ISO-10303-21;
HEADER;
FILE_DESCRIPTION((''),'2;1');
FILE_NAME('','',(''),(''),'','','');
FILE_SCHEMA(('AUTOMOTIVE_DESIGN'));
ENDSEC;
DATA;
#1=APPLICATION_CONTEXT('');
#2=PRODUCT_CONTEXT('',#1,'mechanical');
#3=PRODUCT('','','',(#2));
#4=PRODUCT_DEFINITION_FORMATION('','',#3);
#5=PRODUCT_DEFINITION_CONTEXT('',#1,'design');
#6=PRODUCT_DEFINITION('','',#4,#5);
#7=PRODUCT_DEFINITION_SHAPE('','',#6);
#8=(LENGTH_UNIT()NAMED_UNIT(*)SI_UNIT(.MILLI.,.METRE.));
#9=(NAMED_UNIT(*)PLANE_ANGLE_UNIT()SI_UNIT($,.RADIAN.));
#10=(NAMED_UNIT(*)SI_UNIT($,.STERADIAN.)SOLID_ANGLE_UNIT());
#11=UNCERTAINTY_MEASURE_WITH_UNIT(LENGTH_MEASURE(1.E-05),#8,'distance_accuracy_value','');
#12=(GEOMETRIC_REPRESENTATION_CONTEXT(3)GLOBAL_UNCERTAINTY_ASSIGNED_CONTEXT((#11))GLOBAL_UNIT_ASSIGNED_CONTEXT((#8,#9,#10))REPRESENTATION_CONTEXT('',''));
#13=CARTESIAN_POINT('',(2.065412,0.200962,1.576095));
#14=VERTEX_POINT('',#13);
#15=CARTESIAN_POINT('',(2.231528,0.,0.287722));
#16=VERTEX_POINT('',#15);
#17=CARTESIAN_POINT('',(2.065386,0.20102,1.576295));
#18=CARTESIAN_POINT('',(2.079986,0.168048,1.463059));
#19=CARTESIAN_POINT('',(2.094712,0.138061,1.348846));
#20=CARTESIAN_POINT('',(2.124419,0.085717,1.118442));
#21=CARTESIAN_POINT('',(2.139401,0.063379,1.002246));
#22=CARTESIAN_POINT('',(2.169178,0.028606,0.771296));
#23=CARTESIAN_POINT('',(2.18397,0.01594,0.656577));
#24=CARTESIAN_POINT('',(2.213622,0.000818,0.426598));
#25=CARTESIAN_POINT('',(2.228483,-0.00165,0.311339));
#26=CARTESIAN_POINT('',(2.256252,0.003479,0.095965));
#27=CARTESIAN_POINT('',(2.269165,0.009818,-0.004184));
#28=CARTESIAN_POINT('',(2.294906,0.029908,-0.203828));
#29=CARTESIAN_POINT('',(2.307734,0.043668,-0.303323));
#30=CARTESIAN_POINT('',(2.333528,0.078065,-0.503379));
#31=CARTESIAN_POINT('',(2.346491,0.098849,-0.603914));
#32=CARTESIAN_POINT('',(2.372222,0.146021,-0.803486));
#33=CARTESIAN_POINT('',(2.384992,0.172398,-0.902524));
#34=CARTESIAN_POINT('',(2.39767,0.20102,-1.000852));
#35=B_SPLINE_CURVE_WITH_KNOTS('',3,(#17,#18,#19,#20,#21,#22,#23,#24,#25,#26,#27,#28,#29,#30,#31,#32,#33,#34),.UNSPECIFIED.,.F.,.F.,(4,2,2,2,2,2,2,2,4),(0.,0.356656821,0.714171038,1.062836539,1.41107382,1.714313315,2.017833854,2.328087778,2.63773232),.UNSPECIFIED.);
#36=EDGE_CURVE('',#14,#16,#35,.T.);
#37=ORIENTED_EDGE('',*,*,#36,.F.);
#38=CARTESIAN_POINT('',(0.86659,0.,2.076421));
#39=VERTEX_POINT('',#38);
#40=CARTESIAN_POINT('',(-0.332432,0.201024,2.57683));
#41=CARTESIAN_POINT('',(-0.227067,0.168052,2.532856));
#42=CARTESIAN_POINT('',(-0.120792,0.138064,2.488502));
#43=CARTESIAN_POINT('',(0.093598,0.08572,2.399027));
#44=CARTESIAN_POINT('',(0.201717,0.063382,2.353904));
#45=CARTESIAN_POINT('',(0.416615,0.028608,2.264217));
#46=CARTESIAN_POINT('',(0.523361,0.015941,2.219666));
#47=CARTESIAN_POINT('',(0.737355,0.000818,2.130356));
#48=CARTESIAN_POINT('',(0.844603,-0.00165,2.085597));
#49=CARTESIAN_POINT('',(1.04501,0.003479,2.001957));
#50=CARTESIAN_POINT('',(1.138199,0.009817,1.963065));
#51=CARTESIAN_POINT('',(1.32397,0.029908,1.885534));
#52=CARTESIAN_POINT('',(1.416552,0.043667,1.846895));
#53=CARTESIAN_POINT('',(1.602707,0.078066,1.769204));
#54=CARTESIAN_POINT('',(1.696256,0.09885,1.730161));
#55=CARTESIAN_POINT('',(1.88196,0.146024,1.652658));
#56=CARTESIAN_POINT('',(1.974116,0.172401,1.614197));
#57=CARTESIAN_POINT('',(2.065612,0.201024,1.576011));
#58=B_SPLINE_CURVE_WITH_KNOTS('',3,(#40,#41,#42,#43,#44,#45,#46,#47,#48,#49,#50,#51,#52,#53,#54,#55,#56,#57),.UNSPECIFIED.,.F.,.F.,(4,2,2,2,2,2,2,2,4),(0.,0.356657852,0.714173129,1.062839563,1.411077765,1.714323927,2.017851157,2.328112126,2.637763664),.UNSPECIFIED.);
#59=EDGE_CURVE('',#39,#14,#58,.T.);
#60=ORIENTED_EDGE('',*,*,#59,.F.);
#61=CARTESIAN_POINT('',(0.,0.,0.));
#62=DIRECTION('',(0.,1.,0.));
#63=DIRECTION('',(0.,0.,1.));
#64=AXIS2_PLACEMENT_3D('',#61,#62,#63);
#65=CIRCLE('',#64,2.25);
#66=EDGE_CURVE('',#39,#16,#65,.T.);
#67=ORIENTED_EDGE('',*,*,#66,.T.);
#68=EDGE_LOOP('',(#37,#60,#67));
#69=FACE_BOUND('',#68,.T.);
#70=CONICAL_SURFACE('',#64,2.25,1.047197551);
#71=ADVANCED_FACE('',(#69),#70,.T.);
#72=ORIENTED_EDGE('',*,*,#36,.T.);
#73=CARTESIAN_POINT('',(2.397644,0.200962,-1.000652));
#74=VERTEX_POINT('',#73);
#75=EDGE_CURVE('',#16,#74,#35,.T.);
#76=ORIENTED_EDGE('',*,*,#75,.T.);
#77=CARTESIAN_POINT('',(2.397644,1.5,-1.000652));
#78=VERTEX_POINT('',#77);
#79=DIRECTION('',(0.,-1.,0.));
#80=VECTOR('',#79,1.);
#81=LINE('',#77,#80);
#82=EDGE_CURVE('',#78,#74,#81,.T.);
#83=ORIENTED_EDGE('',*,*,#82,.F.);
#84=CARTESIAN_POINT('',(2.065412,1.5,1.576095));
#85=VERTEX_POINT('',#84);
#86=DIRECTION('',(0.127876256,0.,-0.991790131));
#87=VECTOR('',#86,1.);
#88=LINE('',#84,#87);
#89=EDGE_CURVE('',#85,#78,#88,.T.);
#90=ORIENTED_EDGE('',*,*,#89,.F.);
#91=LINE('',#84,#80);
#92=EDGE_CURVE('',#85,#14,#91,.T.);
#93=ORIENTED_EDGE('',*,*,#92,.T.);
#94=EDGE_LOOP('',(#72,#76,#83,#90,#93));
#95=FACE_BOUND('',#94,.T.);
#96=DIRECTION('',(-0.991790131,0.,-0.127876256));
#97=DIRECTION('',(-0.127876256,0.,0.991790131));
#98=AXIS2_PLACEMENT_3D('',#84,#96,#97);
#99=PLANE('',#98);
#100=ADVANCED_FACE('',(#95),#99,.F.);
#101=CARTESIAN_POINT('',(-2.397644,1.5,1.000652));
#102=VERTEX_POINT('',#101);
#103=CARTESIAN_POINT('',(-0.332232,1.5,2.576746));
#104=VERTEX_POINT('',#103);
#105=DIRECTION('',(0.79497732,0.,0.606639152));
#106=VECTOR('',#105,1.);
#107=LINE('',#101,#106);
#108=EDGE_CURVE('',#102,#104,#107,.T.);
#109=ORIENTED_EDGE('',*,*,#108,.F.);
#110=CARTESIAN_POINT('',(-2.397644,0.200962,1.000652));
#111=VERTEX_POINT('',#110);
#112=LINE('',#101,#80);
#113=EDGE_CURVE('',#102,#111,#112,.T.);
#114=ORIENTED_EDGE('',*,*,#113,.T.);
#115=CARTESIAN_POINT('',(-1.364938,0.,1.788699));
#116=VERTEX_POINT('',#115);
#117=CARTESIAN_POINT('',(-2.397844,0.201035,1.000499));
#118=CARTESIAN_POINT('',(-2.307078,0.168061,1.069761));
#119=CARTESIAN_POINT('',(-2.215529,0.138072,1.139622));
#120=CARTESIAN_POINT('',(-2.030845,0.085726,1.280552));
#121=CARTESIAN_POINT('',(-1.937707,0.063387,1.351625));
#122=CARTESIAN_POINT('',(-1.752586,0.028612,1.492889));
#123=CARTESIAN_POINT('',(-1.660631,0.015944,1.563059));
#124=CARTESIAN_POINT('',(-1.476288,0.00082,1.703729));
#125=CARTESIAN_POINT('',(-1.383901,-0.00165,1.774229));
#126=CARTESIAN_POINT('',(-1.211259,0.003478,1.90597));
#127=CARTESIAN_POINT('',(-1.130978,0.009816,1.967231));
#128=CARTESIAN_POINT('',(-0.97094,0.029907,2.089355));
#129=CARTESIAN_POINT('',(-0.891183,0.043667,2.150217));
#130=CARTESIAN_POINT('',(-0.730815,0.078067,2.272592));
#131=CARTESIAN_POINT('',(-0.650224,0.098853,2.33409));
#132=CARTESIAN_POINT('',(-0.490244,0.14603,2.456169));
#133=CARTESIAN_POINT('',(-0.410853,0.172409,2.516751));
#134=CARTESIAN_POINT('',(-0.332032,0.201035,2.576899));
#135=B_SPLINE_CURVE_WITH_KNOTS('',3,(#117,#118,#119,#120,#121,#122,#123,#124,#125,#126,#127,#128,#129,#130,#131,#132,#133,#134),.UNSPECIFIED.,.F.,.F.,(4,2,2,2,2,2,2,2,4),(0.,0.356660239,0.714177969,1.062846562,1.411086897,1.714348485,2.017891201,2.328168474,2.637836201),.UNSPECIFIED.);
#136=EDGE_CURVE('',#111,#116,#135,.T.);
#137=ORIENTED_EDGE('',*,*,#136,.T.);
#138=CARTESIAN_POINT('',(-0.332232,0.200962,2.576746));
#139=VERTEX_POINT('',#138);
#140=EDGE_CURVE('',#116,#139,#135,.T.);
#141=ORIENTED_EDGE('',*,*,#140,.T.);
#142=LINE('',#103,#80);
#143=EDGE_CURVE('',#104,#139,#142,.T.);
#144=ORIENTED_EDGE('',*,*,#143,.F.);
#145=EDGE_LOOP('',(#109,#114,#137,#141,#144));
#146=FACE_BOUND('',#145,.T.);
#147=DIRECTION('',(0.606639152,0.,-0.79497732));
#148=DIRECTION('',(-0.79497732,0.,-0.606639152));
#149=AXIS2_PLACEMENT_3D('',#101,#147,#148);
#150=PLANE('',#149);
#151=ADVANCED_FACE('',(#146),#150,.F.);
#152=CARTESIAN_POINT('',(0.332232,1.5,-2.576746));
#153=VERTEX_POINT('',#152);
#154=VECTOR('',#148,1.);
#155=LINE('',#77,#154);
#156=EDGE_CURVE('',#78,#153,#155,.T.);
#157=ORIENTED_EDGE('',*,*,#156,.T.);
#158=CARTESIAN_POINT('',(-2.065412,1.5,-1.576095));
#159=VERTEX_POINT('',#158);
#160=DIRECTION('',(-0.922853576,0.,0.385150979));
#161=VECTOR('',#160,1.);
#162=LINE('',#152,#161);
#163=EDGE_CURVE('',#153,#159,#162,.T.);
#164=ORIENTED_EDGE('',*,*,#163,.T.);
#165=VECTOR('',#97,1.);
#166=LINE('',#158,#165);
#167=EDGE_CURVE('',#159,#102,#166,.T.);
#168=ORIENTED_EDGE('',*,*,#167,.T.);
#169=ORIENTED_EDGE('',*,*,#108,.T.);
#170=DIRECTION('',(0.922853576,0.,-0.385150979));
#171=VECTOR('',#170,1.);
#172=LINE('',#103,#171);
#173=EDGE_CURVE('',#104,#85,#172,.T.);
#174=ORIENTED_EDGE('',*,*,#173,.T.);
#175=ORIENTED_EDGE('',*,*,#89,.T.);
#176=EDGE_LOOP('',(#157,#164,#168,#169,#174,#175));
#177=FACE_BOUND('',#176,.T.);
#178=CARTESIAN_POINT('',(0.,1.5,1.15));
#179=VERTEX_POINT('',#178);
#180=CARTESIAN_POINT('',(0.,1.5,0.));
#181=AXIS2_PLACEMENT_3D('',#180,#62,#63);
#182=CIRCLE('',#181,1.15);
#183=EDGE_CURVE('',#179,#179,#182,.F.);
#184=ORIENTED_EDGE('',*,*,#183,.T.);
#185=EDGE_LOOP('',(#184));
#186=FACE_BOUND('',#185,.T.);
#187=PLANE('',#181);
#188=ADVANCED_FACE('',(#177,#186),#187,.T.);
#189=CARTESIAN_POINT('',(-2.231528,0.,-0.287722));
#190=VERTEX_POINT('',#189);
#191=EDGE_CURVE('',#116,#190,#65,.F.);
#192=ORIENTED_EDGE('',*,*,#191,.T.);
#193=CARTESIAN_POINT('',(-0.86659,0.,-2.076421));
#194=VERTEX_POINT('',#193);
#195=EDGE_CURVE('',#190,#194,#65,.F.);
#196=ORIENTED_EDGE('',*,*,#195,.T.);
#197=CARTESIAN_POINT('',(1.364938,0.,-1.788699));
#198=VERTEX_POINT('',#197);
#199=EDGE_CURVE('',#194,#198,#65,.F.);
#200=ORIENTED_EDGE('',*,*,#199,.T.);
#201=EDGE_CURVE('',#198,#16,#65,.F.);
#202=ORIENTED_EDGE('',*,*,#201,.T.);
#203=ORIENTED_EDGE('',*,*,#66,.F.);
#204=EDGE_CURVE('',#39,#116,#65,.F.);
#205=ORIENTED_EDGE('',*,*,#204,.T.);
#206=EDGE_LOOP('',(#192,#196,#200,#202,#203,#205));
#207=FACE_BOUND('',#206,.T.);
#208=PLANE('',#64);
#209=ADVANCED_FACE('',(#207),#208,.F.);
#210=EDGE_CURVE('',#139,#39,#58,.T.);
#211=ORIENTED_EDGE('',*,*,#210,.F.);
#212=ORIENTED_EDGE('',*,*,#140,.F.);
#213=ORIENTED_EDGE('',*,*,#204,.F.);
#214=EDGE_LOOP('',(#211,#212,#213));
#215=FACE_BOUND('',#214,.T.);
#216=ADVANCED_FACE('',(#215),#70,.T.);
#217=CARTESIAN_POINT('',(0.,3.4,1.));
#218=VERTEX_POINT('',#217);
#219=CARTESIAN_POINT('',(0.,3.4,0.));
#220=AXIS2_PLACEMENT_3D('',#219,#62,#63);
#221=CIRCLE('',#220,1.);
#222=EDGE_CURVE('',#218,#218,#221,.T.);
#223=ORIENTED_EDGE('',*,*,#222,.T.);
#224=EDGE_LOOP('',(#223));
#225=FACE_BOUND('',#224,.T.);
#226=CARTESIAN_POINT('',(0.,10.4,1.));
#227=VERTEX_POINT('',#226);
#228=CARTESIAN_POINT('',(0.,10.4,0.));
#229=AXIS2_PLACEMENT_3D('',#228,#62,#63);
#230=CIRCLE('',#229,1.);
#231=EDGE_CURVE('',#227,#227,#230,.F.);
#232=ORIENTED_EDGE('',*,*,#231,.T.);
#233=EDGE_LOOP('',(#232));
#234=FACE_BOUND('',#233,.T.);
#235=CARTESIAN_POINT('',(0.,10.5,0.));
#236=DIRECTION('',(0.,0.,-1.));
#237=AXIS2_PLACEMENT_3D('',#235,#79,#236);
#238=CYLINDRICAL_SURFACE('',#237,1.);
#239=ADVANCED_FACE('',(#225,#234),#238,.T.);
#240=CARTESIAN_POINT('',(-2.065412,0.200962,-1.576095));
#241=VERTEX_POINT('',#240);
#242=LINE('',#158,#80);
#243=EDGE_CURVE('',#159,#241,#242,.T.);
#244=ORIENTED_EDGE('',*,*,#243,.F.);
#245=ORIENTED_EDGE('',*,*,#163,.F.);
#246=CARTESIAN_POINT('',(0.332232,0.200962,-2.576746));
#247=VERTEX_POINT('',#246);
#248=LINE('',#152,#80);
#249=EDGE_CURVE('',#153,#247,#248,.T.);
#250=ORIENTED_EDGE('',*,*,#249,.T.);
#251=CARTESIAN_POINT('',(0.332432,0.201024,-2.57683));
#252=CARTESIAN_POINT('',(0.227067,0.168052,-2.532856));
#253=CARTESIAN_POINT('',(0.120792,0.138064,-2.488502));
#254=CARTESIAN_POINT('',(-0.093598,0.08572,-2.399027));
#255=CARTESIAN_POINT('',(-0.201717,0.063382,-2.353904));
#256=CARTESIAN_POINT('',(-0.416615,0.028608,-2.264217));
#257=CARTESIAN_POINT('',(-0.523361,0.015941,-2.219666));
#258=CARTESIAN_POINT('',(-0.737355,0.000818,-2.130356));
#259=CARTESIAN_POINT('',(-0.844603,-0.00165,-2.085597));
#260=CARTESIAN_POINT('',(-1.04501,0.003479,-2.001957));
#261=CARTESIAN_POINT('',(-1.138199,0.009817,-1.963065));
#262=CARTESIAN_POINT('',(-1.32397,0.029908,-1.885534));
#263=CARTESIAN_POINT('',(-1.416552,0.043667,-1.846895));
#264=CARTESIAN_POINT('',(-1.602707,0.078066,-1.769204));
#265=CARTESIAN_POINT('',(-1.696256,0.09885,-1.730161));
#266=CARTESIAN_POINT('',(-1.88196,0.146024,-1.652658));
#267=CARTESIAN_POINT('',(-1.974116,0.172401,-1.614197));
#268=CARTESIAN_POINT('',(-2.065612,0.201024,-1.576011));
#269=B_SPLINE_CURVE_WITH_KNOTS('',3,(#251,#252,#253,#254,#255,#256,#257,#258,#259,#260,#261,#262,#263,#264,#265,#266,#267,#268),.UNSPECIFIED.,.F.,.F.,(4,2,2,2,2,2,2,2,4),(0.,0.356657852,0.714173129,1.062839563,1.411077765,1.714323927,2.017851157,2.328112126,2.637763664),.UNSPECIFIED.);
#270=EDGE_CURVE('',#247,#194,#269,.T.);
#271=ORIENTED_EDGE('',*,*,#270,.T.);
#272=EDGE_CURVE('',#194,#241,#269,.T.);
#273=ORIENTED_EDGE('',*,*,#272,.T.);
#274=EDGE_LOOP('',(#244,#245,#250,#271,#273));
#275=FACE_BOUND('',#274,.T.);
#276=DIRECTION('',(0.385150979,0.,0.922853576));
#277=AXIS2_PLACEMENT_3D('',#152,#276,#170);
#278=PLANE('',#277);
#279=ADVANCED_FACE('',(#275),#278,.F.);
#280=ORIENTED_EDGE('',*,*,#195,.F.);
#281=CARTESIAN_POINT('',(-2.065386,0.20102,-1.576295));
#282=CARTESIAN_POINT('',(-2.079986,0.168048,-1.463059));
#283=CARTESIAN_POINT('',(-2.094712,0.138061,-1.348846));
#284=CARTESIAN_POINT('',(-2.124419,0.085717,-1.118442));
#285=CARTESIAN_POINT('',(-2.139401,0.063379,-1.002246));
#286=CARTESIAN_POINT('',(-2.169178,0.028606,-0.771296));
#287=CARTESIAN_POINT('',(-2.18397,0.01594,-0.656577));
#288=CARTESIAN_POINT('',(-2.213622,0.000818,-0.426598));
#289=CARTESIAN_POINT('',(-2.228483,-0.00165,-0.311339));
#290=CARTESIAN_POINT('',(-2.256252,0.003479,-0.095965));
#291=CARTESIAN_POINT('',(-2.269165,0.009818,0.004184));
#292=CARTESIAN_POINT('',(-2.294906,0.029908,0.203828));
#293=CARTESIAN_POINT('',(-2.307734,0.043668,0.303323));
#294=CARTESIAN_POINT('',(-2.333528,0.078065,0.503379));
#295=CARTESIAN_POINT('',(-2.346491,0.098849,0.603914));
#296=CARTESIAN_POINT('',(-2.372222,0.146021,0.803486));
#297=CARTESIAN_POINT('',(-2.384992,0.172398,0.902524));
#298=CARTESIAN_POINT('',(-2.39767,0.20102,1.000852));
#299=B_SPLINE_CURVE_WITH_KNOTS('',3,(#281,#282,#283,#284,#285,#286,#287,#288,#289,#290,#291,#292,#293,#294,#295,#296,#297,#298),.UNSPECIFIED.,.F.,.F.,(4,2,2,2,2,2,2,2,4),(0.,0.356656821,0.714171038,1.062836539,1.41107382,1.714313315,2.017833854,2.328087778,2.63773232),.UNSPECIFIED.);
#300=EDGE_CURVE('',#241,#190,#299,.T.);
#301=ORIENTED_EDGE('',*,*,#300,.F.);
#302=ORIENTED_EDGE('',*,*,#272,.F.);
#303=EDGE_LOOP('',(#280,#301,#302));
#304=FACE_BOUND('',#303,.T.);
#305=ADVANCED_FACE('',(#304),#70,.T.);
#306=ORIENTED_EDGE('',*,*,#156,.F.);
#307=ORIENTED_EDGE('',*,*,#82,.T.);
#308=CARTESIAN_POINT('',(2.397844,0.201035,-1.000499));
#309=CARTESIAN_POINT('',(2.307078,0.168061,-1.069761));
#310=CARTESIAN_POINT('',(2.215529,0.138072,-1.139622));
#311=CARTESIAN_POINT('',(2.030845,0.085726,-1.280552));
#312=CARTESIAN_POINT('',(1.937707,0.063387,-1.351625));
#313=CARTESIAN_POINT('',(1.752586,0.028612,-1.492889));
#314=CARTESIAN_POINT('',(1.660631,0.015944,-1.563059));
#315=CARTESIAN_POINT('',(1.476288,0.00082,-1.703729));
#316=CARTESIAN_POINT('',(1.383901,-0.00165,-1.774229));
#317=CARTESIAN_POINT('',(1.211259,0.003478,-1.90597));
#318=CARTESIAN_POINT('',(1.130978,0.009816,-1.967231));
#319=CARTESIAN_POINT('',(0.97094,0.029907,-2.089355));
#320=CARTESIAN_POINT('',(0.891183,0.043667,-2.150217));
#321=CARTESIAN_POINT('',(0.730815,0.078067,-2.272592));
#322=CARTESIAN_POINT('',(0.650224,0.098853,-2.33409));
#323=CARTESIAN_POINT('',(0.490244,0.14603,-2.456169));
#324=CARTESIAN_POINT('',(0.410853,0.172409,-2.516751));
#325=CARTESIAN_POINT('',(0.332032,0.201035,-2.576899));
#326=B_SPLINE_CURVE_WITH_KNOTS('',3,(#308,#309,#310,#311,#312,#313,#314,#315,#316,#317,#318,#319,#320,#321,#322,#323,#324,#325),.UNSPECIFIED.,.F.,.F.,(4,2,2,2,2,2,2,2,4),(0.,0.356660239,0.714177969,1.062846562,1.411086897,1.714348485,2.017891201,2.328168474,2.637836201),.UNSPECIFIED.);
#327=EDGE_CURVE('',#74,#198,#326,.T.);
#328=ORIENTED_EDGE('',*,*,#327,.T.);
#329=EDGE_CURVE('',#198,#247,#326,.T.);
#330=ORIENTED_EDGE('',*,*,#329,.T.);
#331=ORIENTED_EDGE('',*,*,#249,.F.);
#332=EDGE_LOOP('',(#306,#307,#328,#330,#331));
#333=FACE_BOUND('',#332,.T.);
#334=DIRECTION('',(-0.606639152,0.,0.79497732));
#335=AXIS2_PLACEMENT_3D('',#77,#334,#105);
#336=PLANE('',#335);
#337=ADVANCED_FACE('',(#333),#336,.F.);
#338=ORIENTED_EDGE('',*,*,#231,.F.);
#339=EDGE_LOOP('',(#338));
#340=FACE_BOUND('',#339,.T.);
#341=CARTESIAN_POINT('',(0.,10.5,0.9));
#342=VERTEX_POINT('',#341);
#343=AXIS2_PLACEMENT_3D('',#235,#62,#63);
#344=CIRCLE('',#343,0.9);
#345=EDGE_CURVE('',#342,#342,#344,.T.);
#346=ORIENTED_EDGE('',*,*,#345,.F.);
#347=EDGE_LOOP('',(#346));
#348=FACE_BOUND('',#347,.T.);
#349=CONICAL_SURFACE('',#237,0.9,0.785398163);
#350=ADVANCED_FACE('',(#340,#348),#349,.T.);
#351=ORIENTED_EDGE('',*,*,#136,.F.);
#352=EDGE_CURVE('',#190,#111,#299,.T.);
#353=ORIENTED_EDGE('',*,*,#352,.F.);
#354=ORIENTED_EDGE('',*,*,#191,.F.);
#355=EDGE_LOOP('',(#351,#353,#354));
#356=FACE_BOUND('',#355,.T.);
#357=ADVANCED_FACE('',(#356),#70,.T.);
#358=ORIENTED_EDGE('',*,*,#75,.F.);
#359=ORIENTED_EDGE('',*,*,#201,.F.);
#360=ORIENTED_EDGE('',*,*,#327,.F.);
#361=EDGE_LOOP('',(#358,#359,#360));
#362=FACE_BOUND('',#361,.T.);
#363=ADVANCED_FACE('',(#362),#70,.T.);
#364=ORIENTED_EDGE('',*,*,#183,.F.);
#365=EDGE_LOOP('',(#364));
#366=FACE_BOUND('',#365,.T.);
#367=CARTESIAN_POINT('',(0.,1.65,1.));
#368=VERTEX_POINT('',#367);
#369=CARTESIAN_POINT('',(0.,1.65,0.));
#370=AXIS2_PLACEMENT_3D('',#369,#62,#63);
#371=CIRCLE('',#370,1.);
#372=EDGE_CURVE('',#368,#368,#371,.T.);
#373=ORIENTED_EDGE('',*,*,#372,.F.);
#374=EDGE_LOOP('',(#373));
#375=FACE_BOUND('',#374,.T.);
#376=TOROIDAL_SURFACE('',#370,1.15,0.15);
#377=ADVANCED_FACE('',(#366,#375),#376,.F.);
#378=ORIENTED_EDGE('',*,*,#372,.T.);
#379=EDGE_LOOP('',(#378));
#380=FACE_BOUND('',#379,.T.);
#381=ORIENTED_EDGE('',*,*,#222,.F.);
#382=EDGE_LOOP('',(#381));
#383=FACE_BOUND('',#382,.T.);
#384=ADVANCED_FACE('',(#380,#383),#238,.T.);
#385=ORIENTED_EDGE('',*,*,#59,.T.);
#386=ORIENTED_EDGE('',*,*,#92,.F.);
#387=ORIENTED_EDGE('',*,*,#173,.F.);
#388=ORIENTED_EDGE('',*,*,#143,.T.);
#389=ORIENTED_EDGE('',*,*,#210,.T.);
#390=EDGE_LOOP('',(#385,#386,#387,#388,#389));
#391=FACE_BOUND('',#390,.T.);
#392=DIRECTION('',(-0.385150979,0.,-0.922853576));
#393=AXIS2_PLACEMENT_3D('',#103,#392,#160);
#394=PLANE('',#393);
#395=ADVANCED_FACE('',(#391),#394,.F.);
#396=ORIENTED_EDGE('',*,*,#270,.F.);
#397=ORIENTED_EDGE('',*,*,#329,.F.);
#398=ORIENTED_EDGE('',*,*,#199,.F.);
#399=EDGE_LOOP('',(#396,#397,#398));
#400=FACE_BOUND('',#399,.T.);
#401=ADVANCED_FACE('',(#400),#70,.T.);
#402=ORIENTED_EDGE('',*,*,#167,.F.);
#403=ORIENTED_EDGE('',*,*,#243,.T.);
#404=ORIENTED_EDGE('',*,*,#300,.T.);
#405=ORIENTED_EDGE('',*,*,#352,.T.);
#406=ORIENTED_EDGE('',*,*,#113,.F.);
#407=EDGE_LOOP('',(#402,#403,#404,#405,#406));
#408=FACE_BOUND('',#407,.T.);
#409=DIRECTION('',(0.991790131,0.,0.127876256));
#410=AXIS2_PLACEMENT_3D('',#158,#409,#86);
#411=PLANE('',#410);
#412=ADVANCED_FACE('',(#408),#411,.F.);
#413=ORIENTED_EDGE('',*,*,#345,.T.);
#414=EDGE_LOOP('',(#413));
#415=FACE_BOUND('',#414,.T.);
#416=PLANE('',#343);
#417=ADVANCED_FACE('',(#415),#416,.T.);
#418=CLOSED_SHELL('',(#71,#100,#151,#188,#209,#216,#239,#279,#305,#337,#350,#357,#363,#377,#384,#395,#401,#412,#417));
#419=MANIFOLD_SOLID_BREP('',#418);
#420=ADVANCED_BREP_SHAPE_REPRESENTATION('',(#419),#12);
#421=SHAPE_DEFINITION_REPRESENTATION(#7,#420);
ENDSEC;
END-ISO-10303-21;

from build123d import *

# Parameters (mm, degrees)
BOSS_EXTRUDE2_DEPTH = 1.5
SKETCH3_OUTSIDE_W   = 13.432
SKETCH3_OUTSIDE_H   = 13.79
SKETCH3_OUTSIDE_R   = 2.25
CUT_EXTRUDE2_DEPTH  = 1.5
CUT_EXTRUDE2_DRAFT  = 60
SKETCH4_R           = 1
BOSS_EXTRUDE3_DEPTH = 9
CHAMFER1_SIZE       = 0.1
FILLET1_R           = 0.15


with BuildPart() as part:
    # Sketch1 → Boss-Extrude2 (new body)
    with BuildSketch(Plane(origin=(0, 0, 0), x_dir=(1, 0, 0), z_dir=(0, 1, 0))):
        Polygon((2.065411664, -1.576094749), (2.397643923, 1.000651596), (0.332232259, 2.576746345), (-2.065411664, 1.576094749), (-2.397643923, -1.000651596), (-0.332232259, -2.576746345), align=None)
    extrude(amount=BOSS_EXTRUDE2_DEPTH)


with BuildPart() as cut_extrude2_tool:
    # Sketch3 outside → Cut-Extrude2 (with draft: the straight prism first)
    with BuildSketch(Plane(origin=(0, 0, 0), x_dir=(1, 0, 0), z_dir=(0, 1, 0))):
        Rectangle(SKETCH3_OUTSIDE_W, SKETCH3_OUTSIDE_H)
        Circle(SKETCH3_OUTSIDE_R, mode=Mode.SUBTRACT)
    extrude(amount=CUT_EXTRUDE2_DEPTH)
    # Cut-Extrude2: the draft: its side faces are tilted about the plane it starts from
    cut_extrude2_sides = [cut_extrude2_tool.faces().sort_by_distance(p)[0] for p in [
        (0, 0.75, 6.895),
        (6.716, 0.75, 0),
        (0, 0.75, -6.895),
        (-6.716, 0.75, 0),
        (-2.25, 0.75, 0),
    ]]
    draft(cut_extrude2_sides, Plane(origin=(0, 0, 0), x_dir=(1, 0, 0), z_dir=(0, 1, 0)), CUT_EXTRUDE2_DRAFT)


with BuildPart() as part_1:
    add(part.part)

    # Cut-Extrude2: cut by cut_extrude2_tool
    add(cut_extrude2_tool.part, mode=Mode.SUBTRACT)

    # Sketch4 → Boss-Extrude3 (add)
    with BuildSketch(Plane(origin=(0, 1.5, 0), x_dir=(1, 0, 0), z_dir=(0, 1, 0))):
        with Locations(Location((0, 0, 0), (0, 0, 270))):
            Circle(SKETCH4_R)
    extrude(amount=BOSS_EXTRUDE3_DEPTH)

    # Chamfer1
    chamfer1_edges = [part_1.edges().sort_by_distance(p)[0] for p in [
        (0, 10.5, -1),
    ]]
    chamfer(chamfer1_edges, length=CHAMFER1_SIZE)

    # Fillet1
    fillet1_edges = [part_1.edges().sort_by_distance(p)[0] for p in [
        (0, 1.5, -1),
    ]]
    fillet(fillet1_edges, radius=FILLET1_R)


solid = part_1.part
